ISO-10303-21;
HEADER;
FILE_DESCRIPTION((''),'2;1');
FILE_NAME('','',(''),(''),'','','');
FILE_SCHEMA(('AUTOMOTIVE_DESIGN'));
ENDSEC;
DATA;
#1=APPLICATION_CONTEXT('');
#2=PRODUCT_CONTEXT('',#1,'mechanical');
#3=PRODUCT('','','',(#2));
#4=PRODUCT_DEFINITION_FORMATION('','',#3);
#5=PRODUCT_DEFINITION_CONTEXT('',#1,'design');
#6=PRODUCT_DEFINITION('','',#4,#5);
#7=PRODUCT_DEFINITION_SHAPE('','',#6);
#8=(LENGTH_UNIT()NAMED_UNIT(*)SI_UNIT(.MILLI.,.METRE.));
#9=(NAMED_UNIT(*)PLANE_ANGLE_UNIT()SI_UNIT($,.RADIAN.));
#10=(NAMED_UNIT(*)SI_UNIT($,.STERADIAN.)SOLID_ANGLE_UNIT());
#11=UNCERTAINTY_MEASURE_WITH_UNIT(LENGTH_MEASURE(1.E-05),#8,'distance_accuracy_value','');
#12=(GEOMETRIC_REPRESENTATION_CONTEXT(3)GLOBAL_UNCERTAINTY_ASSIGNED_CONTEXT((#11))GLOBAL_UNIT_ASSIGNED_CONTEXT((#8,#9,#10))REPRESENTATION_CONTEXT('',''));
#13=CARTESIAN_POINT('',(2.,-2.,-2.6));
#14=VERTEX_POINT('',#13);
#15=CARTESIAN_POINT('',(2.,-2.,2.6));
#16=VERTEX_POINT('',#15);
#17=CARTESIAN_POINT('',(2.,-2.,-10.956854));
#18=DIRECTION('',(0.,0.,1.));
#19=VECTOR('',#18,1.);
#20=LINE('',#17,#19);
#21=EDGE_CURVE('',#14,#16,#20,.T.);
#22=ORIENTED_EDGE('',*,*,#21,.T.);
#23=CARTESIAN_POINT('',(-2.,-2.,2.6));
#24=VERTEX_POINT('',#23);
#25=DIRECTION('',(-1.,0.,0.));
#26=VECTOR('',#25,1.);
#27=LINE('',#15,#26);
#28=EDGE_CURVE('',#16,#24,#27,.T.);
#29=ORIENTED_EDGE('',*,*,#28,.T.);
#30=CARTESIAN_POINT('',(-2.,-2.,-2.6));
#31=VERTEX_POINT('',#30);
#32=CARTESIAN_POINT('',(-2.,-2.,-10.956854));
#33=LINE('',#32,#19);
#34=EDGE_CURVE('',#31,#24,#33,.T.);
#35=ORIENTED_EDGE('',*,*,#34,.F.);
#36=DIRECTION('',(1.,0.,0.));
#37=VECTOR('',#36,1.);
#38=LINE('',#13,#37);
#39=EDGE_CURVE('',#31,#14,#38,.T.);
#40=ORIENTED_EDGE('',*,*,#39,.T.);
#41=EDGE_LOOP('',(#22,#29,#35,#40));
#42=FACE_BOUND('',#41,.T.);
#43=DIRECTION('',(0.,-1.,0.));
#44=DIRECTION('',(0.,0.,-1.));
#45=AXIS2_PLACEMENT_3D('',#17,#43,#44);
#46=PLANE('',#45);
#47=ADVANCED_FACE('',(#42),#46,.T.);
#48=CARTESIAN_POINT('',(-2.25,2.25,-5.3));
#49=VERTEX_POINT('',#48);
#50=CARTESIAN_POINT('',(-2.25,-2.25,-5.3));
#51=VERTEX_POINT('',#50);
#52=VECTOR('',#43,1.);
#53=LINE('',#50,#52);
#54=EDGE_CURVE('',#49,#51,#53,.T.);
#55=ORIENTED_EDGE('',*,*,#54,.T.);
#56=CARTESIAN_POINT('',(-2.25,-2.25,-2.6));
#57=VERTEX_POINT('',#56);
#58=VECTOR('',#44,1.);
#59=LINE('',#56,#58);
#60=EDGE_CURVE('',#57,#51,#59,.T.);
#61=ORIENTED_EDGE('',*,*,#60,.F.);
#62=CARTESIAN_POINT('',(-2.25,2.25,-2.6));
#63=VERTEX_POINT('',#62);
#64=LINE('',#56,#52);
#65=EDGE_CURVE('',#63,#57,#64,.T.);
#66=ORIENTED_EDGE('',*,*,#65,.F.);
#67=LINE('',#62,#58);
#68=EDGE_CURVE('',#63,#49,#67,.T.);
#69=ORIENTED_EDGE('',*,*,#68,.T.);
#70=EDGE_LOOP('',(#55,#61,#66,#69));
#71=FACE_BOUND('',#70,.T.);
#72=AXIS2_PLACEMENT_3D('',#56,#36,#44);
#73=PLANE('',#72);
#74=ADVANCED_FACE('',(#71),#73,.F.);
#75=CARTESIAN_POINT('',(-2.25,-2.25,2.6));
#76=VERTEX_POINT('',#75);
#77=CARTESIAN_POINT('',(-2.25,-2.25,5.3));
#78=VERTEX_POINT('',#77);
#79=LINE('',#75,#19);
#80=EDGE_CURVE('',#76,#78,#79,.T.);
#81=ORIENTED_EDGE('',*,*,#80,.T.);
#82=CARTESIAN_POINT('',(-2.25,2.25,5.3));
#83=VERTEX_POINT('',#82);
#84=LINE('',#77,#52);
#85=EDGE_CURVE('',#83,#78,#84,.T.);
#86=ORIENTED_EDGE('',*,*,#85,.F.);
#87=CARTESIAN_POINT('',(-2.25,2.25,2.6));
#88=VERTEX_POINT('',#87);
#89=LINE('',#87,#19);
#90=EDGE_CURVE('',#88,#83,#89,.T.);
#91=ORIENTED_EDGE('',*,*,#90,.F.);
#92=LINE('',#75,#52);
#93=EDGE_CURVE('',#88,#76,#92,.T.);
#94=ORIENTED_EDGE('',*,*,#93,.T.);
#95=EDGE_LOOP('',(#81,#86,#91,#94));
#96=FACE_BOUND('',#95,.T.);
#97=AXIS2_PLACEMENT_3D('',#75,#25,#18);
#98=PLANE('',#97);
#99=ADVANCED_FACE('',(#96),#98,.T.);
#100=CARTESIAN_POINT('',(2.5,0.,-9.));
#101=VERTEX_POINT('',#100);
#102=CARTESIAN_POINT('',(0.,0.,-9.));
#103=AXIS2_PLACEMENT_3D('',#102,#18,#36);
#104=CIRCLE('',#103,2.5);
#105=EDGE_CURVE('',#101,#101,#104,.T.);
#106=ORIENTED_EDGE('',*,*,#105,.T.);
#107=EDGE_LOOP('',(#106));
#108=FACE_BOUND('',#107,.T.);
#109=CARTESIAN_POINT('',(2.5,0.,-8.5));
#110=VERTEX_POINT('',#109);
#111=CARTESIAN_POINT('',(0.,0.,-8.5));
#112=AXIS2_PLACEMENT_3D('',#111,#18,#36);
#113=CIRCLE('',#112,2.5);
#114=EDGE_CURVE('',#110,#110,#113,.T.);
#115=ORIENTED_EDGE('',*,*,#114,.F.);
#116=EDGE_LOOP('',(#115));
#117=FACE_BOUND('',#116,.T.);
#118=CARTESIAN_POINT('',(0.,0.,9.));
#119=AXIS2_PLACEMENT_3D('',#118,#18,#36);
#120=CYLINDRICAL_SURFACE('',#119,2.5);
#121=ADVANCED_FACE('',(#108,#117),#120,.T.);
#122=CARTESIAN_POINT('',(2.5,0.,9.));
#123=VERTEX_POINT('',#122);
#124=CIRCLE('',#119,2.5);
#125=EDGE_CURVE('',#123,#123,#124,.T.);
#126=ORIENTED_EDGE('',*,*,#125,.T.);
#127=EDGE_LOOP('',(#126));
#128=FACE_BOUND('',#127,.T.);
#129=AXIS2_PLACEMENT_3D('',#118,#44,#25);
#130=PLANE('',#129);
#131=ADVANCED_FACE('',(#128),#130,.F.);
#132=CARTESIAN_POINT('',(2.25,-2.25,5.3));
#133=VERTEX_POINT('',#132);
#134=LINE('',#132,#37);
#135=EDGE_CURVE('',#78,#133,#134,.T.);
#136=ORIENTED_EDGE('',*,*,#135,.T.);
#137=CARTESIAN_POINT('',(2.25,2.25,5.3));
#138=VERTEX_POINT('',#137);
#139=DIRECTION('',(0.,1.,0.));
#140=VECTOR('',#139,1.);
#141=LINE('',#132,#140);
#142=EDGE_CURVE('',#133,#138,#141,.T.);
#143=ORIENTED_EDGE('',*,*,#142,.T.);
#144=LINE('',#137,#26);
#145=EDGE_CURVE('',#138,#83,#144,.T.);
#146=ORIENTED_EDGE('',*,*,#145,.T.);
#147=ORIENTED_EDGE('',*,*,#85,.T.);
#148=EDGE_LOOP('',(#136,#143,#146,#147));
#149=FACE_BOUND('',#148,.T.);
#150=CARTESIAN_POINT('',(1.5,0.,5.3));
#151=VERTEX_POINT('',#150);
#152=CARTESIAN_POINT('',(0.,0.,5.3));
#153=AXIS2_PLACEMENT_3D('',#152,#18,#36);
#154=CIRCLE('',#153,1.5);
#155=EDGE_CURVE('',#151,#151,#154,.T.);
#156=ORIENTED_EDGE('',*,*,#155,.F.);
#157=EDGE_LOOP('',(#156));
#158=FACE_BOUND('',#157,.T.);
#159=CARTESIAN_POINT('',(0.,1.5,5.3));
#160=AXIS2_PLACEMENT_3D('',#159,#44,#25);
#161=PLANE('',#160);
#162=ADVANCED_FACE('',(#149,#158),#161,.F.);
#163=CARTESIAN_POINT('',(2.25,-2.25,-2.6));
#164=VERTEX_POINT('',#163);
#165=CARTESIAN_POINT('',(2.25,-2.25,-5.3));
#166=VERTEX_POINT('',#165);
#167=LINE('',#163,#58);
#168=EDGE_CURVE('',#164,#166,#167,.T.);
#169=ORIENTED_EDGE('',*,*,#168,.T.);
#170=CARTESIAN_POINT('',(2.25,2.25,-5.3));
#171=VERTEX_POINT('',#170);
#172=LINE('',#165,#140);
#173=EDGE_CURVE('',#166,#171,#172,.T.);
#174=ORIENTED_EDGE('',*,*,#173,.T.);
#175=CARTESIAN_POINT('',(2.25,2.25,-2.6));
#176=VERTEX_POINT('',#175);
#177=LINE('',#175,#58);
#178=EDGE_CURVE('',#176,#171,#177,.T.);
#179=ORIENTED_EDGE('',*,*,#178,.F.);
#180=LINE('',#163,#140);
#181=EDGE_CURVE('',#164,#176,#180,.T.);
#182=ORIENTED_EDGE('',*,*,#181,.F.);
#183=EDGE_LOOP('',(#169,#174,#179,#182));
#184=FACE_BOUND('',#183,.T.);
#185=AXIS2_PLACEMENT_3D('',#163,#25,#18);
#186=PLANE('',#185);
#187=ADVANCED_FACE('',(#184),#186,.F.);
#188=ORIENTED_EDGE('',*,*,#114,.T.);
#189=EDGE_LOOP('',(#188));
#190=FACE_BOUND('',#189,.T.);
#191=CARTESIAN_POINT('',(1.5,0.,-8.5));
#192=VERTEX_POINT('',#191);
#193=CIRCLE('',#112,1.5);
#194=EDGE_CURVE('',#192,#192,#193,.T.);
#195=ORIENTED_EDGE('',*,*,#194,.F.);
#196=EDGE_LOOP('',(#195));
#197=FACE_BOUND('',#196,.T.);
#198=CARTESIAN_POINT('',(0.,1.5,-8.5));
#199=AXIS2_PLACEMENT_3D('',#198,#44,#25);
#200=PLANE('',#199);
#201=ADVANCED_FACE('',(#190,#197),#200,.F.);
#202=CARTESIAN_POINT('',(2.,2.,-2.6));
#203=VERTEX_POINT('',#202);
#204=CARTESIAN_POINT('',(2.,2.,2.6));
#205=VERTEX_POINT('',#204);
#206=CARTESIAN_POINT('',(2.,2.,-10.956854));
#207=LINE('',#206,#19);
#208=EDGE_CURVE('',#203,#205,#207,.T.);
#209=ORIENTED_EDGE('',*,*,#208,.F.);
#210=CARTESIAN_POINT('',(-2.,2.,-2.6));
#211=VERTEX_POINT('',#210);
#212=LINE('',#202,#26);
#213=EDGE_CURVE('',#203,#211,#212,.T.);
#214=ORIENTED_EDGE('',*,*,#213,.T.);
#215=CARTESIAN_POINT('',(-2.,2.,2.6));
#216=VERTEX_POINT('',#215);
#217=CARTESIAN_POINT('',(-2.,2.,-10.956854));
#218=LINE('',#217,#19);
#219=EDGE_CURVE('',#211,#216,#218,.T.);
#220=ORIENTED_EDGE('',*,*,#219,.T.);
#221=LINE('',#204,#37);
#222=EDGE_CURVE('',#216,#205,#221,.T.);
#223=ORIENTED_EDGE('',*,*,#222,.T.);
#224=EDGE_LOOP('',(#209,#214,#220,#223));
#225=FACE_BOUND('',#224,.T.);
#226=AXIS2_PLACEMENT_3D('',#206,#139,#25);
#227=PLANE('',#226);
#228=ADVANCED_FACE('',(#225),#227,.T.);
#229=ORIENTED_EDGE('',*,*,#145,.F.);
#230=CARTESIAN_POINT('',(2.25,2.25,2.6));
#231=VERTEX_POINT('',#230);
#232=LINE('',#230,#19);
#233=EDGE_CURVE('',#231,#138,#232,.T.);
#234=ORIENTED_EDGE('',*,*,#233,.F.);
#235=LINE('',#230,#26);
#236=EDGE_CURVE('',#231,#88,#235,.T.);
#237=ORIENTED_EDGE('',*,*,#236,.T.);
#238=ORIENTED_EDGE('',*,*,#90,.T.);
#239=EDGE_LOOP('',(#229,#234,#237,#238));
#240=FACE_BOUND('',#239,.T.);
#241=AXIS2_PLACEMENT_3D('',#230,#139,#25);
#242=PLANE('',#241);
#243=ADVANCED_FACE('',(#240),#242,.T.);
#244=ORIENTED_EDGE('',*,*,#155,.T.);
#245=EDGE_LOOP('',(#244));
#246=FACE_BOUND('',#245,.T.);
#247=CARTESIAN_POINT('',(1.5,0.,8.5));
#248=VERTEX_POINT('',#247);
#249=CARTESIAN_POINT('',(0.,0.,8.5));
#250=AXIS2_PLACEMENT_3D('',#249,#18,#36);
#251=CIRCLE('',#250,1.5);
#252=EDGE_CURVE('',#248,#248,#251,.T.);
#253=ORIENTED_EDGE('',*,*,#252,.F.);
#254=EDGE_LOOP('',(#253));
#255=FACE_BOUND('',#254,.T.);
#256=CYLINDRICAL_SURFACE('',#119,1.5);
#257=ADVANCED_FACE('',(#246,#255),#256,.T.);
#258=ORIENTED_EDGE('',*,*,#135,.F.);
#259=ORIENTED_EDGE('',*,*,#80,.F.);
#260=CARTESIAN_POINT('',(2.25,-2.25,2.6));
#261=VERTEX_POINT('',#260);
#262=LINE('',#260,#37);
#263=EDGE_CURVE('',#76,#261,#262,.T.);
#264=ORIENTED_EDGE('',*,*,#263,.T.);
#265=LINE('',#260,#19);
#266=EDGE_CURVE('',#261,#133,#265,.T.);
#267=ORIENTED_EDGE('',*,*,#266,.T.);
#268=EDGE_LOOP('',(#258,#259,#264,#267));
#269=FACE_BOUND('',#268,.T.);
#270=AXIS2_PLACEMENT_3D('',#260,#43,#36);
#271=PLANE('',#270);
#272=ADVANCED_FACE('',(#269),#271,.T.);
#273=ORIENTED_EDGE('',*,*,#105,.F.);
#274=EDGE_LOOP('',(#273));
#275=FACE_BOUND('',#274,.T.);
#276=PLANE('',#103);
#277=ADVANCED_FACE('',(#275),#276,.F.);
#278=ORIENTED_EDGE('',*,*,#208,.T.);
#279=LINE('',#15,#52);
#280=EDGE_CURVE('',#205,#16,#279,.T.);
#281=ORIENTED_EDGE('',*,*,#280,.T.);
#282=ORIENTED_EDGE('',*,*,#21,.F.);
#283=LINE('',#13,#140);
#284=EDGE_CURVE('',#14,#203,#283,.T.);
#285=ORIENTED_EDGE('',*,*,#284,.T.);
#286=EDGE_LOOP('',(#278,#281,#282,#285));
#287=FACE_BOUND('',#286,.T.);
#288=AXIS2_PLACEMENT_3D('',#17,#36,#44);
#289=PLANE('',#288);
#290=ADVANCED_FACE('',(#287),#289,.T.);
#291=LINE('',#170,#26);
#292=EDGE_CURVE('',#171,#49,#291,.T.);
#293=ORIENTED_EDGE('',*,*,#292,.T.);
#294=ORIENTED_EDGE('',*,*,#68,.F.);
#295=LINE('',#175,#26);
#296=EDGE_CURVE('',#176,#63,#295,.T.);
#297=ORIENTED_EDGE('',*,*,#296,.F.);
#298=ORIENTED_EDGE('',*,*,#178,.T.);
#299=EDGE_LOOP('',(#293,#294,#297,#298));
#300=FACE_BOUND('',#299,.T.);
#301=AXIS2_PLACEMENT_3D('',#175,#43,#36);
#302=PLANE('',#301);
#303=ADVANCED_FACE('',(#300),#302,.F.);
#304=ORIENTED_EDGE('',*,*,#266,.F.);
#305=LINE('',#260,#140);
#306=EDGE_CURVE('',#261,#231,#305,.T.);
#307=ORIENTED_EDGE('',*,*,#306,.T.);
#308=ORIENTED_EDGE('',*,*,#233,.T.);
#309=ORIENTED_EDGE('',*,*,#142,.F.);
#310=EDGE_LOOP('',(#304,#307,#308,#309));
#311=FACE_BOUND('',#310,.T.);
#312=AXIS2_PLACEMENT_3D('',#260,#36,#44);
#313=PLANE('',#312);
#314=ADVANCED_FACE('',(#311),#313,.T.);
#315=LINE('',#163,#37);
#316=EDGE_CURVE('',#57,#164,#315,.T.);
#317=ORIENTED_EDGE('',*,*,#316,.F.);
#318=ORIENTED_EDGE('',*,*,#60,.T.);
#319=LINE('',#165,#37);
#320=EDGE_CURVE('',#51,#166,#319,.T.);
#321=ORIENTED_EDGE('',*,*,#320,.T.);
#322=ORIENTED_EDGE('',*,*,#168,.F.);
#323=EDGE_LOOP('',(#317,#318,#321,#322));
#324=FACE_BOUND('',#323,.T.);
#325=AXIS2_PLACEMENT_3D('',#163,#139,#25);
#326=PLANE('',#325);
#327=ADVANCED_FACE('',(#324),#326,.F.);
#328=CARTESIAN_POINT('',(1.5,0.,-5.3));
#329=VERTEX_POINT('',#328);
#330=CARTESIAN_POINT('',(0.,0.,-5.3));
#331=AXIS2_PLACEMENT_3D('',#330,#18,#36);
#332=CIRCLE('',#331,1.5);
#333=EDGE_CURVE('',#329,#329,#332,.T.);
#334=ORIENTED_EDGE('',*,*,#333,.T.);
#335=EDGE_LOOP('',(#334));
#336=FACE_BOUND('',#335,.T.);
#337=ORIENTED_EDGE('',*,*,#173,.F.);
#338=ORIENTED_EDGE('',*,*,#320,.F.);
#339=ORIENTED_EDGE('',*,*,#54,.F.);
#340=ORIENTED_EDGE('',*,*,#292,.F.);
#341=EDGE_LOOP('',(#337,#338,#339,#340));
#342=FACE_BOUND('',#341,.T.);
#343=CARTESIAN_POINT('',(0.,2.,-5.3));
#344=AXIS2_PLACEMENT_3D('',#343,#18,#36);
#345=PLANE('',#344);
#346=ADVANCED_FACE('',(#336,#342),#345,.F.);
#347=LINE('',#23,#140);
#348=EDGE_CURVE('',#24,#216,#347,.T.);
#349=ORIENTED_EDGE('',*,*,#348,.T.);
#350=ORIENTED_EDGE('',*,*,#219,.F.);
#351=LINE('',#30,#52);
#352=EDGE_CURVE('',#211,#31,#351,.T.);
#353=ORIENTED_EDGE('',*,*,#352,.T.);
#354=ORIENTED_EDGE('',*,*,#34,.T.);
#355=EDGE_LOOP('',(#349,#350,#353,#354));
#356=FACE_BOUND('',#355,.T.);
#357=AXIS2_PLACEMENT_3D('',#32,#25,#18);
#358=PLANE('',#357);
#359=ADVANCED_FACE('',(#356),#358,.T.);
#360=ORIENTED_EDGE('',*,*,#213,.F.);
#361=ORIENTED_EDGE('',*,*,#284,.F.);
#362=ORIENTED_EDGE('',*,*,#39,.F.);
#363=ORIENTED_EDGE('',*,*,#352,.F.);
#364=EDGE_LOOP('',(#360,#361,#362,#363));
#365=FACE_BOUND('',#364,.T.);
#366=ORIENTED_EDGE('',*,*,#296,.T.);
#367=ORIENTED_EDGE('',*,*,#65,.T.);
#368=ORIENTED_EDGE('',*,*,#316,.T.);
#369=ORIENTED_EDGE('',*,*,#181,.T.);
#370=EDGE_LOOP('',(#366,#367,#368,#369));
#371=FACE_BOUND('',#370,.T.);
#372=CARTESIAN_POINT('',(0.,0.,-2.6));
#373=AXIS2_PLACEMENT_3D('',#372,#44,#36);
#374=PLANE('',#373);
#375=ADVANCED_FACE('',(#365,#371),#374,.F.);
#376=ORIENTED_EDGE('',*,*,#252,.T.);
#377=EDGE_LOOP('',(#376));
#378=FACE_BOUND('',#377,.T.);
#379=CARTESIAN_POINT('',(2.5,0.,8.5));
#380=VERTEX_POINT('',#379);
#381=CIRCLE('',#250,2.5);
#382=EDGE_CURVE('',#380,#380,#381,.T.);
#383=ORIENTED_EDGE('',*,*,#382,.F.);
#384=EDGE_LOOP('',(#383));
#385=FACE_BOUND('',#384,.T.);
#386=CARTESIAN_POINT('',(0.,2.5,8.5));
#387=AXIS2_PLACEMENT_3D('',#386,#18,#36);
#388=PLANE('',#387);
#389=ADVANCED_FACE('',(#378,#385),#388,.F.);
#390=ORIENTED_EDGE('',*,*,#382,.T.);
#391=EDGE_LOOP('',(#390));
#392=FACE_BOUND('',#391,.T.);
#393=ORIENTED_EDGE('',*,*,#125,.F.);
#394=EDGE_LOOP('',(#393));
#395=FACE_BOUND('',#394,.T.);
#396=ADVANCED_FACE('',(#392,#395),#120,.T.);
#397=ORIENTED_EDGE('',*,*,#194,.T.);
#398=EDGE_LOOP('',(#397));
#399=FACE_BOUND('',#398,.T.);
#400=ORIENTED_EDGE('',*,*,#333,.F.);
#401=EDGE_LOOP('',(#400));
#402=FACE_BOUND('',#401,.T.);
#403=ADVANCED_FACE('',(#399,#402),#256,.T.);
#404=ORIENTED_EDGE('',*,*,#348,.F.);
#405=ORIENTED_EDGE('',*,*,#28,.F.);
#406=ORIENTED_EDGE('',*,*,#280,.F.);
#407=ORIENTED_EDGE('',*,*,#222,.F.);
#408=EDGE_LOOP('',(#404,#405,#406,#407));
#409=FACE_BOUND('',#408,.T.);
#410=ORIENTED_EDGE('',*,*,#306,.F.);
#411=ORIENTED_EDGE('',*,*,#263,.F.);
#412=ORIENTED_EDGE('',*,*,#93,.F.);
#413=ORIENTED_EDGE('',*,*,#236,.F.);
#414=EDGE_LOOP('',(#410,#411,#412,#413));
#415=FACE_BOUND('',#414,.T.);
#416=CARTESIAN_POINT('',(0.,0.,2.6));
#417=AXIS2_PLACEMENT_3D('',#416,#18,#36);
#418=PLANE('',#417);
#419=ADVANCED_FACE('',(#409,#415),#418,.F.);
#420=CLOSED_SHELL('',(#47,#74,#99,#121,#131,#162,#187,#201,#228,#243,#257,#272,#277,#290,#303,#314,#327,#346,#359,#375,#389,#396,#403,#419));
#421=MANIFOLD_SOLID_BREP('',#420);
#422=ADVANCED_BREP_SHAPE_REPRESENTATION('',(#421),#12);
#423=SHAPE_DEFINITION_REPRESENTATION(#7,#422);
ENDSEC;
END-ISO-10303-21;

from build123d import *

# Parameters (mm, degrees)
SKETCH2_W           = 4
SKETCH2_H           = 4
BOSS_EXTRUDE1_DEPTH = 10.6
SKETCH4_W           = 4.5
SKETCH4_H           = 4.5
BOSS_EXTRUDE3_DEPTH = 2.7


with BuildPart() as part:
    # Sketch1 → Revolve1 (revolve)
    with BuildSketch(Plane(origin=(0, 0, 0), x_dir=(0, 0, -1), z_dir=(1, 0, 0)), mode=Mode.PRIVATE) as revolve1_sk:
        Polygon((-9, 0), (9, 0), (9, 2.5), (8.5, 2.5), (8.5, 1.5), (5.3, 1.5), (5.3, 2), (-5.3, 2), (-5.3, 1.5), (-8.5, 1.5), (-8.5, 2.5), (-9, 2.5), align=None)
    revolve(revolve1_sk.sketch.rotate(Axis((0, 0, 9), (0, 0, -1)), 90), axis=Axis((0, 0, 9), (0, 0, -1)))

    # Sketch2 → Boss-Extrude1 (add)
    with BuildSketch(Plane.XY.offset(5.3)):
        Rectangle(SKETCH2_W, SKETCH2_H)
    extrude(amount=-BOSS_EXTRUDE1_DEPTH)

    # Sketch4 → Boss-Extrude3 (add)
    with BuildSketch(Plane.XY.offset(5.3)):
        Rectangle(SKETCH4_W, SKETCH4_H)
    boss_extrude3 = extrude(amount=-BOSS_EXTRUDE3_DEPTH)

    # Mirror1: Boss-Extrude3 across plane
    add(boss_extrude3.mirror(Plane.XY))


solid = part.part
